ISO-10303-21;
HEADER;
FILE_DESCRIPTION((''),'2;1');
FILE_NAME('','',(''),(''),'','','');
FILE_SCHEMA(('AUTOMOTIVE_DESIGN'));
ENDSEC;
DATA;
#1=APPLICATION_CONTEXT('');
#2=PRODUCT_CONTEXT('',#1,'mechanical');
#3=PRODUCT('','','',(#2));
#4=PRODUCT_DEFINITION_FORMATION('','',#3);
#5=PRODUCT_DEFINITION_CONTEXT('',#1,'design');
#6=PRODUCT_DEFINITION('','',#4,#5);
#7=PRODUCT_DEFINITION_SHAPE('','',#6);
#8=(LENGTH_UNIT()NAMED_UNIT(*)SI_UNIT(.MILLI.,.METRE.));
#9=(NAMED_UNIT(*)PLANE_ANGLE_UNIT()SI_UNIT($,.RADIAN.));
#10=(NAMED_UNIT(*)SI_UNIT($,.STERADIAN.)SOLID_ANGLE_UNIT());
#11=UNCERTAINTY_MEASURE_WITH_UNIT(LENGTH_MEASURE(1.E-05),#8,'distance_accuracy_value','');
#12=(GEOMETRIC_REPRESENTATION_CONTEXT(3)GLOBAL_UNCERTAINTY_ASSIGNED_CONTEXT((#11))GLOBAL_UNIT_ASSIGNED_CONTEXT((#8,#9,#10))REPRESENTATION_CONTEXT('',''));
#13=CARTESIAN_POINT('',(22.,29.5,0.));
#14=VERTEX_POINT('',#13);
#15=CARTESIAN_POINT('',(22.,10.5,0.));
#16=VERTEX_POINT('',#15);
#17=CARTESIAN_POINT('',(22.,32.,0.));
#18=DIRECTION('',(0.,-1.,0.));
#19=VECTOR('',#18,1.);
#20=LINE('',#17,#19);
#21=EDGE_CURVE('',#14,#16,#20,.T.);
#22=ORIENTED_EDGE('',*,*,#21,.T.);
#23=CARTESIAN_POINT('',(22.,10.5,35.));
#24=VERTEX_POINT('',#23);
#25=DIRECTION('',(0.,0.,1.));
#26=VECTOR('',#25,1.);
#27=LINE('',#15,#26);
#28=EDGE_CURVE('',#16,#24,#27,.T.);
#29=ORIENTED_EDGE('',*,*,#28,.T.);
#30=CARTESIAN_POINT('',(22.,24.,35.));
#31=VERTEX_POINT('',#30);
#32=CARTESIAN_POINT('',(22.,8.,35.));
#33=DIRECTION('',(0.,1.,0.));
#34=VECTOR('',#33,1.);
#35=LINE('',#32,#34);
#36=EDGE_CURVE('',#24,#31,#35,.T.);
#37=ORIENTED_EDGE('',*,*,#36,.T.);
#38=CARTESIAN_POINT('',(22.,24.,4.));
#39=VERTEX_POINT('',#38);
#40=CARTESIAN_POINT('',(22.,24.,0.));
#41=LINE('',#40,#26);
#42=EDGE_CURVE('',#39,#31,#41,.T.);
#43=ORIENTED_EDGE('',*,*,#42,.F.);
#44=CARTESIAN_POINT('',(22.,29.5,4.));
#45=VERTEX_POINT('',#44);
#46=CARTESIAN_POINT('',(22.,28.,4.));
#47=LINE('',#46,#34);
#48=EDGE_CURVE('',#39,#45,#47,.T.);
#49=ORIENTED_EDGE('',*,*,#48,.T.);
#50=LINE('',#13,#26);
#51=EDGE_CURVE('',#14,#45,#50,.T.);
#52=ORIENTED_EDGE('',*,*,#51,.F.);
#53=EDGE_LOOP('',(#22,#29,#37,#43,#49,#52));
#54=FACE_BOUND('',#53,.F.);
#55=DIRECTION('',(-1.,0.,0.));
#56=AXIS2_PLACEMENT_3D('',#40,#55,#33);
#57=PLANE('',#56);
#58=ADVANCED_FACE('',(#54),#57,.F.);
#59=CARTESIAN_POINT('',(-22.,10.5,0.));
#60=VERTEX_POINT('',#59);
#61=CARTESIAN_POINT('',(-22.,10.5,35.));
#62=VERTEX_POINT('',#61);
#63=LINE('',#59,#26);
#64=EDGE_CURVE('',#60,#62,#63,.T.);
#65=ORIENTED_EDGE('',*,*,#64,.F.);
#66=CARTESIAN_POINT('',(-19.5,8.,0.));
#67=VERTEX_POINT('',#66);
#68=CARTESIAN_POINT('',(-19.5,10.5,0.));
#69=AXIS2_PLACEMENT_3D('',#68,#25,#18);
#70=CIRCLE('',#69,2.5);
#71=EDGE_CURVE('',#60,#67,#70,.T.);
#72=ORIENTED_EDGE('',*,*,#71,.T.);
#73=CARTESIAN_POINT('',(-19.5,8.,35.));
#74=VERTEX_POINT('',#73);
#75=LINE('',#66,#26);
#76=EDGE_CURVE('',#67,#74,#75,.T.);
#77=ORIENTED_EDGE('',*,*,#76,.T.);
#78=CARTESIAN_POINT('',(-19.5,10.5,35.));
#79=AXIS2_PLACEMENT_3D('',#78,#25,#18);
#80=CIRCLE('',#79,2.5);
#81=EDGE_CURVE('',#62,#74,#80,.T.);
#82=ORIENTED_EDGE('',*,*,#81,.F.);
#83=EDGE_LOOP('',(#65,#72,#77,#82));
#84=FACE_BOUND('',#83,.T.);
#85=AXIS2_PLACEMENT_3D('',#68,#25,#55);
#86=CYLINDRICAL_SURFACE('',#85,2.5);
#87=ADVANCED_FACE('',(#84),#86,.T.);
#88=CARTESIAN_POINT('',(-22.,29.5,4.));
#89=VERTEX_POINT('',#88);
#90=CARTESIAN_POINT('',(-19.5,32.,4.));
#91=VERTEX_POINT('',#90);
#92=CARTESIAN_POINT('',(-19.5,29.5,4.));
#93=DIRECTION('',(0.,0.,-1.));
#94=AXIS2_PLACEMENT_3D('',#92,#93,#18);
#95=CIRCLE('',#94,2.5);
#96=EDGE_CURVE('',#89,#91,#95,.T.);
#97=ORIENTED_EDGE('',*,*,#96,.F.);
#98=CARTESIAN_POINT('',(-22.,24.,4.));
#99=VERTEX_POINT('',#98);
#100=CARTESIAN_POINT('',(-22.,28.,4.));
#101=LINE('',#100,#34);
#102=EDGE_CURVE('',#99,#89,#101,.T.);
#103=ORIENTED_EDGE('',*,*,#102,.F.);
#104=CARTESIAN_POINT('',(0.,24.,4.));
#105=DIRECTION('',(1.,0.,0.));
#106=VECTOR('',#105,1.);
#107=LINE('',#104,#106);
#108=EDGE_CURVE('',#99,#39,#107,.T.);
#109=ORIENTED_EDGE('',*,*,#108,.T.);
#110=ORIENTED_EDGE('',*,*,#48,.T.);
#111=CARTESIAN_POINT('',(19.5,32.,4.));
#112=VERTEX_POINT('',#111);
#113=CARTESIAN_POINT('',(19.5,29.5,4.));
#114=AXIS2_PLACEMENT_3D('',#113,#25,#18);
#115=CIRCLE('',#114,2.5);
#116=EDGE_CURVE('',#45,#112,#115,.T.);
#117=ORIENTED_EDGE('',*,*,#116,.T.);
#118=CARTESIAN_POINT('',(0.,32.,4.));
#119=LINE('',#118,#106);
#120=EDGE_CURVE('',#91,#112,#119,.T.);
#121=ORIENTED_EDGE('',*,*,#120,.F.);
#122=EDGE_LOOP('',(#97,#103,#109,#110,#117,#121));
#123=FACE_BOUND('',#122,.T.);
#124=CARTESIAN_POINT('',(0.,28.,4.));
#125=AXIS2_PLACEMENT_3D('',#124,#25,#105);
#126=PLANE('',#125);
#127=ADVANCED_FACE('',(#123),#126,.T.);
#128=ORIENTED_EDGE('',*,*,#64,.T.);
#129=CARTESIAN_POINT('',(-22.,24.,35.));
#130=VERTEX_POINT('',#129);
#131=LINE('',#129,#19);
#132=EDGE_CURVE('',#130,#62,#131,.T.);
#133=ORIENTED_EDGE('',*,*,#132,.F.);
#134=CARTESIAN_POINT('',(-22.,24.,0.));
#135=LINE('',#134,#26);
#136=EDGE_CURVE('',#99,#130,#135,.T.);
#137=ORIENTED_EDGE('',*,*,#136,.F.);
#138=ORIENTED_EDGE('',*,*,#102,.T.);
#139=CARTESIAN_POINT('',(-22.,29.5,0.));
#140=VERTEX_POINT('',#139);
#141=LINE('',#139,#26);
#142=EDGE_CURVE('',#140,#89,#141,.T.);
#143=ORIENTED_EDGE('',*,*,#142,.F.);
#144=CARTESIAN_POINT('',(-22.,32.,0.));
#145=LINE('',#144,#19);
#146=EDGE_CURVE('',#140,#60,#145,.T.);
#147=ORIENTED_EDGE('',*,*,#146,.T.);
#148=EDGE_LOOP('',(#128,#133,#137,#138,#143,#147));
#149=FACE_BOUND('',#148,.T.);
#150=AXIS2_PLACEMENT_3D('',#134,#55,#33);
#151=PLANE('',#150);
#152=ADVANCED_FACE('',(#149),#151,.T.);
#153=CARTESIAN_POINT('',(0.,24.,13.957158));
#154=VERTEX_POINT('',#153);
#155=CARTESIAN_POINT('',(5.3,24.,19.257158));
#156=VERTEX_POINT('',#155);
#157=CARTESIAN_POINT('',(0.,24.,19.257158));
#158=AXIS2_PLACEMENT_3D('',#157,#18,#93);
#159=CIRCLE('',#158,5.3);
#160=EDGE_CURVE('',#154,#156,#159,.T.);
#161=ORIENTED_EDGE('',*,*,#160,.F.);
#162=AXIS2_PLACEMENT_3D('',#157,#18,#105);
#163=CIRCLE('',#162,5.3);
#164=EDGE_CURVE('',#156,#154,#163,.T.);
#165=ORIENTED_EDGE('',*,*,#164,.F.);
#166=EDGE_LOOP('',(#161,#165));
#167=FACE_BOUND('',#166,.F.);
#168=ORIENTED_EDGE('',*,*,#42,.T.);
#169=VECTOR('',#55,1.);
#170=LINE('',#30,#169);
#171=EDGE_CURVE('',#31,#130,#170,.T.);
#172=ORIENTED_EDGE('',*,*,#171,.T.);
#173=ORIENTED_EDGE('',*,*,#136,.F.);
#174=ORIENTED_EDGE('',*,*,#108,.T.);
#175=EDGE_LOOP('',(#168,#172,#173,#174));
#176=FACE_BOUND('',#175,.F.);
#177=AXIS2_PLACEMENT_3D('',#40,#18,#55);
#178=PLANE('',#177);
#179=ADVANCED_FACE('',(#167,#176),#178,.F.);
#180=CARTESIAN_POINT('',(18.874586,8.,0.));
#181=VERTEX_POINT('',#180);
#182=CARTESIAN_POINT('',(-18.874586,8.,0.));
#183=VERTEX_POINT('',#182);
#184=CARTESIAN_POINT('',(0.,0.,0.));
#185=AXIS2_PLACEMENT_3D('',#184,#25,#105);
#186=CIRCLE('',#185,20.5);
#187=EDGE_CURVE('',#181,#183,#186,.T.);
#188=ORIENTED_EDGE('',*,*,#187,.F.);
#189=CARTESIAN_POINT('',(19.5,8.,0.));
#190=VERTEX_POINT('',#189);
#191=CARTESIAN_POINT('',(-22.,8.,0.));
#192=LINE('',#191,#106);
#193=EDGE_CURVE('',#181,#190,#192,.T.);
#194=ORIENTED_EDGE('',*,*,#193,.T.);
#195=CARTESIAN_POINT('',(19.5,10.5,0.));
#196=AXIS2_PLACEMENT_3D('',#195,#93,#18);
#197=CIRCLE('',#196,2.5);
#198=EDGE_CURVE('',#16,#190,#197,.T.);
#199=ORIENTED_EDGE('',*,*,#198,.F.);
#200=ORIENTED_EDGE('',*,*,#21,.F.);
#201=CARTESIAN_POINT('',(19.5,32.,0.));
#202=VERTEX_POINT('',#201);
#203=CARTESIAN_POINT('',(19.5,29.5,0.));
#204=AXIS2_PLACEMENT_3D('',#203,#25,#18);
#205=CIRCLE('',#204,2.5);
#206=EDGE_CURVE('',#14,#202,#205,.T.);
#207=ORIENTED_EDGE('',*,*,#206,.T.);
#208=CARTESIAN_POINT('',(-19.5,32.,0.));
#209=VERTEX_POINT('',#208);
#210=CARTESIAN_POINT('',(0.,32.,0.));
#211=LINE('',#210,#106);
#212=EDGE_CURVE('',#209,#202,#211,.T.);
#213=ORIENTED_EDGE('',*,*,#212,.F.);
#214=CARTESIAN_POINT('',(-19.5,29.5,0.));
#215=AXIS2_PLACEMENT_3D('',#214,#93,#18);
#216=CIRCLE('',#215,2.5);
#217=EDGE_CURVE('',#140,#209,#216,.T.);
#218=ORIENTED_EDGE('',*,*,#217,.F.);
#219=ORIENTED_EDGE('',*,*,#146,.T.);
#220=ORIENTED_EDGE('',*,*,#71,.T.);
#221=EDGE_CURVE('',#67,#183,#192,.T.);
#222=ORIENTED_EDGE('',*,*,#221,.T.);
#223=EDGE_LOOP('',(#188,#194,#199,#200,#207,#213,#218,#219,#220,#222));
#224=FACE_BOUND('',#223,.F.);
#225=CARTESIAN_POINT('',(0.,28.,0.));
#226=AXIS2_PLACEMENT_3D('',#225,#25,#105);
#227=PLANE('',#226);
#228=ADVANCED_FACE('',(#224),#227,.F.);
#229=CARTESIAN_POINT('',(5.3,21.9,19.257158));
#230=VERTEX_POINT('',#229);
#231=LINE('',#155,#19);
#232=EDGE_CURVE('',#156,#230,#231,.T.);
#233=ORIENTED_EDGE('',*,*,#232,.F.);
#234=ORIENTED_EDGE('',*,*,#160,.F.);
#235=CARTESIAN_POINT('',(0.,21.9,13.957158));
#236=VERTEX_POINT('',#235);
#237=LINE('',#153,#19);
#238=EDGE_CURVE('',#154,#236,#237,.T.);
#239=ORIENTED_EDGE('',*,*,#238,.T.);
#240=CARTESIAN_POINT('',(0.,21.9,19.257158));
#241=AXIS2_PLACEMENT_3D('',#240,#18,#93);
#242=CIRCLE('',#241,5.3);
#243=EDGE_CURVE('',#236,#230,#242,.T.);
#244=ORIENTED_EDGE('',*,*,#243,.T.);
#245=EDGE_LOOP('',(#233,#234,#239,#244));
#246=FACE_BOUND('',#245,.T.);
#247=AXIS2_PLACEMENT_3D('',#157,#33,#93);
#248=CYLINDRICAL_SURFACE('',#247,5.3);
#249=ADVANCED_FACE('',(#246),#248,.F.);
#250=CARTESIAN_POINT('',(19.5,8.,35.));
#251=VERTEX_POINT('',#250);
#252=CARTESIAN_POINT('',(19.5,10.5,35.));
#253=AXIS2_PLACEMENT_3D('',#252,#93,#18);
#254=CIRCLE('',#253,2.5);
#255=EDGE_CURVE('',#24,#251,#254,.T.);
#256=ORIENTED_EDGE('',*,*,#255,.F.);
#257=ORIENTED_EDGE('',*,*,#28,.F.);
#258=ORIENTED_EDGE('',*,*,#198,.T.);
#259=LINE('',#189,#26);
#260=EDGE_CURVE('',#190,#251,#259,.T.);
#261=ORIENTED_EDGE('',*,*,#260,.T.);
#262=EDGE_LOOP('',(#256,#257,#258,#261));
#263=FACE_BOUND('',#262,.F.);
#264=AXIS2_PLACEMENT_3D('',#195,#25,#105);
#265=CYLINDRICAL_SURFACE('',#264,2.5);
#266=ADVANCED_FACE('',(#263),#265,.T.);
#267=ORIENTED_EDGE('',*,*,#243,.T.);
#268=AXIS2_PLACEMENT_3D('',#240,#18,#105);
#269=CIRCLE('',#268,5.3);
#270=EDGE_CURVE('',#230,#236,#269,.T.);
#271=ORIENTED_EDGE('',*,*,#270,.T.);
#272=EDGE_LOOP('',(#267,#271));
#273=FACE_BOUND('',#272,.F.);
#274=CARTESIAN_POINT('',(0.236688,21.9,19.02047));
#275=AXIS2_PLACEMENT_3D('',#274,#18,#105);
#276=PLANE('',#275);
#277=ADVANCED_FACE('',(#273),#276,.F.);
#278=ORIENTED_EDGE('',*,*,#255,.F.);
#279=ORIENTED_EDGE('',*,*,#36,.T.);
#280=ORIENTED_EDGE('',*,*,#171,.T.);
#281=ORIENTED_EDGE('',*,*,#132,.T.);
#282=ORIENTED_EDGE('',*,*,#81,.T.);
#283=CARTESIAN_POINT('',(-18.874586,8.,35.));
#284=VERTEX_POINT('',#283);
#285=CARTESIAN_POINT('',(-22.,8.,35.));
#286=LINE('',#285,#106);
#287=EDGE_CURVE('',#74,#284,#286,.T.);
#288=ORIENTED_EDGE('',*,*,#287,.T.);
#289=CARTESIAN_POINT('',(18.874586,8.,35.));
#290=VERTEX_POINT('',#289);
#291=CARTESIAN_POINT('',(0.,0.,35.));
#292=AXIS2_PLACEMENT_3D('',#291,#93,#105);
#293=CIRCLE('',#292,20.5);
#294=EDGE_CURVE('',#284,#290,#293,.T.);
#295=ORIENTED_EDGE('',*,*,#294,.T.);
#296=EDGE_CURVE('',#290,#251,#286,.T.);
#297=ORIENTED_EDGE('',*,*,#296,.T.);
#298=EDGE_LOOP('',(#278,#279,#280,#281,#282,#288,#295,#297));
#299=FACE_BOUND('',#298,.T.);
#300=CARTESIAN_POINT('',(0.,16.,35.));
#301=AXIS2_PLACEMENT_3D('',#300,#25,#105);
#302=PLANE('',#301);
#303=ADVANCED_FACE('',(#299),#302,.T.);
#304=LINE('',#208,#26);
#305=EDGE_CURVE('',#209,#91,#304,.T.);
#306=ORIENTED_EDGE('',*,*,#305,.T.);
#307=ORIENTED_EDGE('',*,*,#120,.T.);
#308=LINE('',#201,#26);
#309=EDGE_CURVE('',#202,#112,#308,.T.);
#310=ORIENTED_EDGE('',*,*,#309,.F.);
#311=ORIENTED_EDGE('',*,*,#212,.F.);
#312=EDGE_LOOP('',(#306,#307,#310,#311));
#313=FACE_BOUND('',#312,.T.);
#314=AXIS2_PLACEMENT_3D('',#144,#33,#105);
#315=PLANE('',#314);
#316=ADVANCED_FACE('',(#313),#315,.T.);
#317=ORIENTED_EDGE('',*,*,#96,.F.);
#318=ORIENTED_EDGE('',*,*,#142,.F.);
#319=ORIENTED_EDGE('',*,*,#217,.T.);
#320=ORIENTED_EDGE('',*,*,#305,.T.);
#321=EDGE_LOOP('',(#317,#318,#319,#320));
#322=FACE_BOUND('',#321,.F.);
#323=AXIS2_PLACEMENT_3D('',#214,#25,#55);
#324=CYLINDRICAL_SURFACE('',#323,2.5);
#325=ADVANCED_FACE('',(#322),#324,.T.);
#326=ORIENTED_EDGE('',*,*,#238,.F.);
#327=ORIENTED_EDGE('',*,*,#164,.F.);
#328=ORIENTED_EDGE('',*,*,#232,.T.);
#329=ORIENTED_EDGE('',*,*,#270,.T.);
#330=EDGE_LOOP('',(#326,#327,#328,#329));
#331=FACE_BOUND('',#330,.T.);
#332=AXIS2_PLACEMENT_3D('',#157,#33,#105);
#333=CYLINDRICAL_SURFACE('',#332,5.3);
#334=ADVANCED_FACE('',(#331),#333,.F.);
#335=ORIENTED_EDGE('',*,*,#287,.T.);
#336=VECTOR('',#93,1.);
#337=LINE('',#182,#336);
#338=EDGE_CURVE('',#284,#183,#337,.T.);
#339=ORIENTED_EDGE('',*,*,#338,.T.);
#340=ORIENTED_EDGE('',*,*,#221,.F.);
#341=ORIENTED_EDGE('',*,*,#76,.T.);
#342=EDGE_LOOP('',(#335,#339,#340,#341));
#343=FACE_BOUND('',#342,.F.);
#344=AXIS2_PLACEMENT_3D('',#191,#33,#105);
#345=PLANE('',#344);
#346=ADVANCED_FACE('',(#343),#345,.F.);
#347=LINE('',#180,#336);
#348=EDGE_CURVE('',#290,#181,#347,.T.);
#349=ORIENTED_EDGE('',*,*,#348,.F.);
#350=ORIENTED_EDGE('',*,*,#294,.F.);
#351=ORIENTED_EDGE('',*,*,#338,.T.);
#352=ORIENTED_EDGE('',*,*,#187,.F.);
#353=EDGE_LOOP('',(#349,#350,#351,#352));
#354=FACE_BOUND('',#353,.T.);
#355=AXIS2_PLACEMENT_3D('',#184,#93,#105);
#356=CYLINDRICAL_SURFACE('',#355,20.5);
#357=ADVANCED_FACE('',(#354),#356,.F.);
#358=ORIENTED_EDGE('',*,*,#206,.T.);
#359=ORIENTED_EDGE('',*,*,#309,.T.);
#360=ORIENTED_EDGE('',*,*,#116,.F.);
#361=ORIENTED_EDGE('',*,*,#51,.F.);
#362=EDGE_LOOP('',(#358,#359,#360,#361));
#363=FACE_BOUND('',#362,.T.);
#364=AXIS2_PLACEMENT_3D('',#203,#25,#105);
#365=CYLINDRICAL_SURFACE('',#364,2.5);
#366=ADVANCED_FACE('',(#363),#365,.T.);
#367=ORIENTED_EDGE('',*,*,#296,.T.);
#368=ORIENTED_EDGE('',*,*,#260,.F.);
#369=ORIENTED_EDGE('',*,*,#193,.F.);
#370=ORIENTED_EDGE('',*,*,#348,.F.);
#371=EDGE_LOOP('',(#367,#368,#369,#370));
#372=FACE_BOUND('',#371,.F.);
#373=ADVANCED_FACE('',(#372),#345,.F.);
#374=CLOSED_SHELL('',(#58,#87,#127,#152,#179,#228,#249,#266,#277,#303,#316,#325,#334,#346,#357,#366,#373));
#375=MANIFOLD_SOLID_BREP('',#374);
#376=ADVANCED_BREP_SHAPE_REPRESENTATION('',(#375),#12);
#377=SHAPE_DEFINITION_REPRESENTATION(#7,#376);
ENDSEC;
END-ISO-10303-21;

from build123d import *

# Parameters (mm, degrees)
F0_R     = 20.5
F1_DEPTH = 50
F3_DEPTH = 35
F5_W     = 44
F5_H     = 8
F6_DEPTH = 4
F7_R     = 2.5
F9_DEPTH = 2.1


with BuildPart() as f1:
    # F0 (on Top) → F1 (new body)
    with BuildSketch(Plane.XY):
        Circle(F0_R)
    extrude(amount=F1_DEPTH)


with BuildPart() as f3:
    # F2 (on Top) → F3 (new body)
    with BuildSketch(Plane.XY):
        Polygon((-22, 8), (0, 8), (22, 8), (22, 24), (-22, 24), align=None)
    extrude(amount=F3_DEPTH)

    # F4: cut F1
    add(f1.part, mode=Mode.SUBTRACT)

    # F5 (on Top) → F6 (join)
    with BuildSketch(Plane.XY):
        with Locations((0, 28)):
            Rectangle(F5_W, F5_H)
    extrude(amount=F6_DEPTH)

    # F7
    f7_edges = [f3.edges().sort_by_distance(p)[0] for p in [
        (-22, 8, 17.5),
        (22, 8, 17.5),
        (-22, 32, 2),
        (22, 32, 2),
    ]]
    fillet(f7_edges, radius=F7_R)


with BuildPart() as f9:
    # F8 (on Front) → F9 (new body)
    with BuildSketch(Plane.XZ):
        with BuildLine():
            ThreePointArc((0, 13.957158041), (3.7476659403, 15.5094921007), (5.3, 19.257158041))
            ThreePointArc((5.3, 19.257158041), (-3.7476659403, 23.0048239813), (0, 13.957158041))
        make_face()
    extrude(amount=F9_DEPTH)


with BuildPart() as f9_1:
    # F10: moved
    add(f9.part.moved(Location((0, 24, 0))))


with BuildPart() as f3_1:
    add(f3.part)

    # F11: cut F9
    add(f9_1.part, mode=Mode.SUBTRACT)


solid = f3_1.part
